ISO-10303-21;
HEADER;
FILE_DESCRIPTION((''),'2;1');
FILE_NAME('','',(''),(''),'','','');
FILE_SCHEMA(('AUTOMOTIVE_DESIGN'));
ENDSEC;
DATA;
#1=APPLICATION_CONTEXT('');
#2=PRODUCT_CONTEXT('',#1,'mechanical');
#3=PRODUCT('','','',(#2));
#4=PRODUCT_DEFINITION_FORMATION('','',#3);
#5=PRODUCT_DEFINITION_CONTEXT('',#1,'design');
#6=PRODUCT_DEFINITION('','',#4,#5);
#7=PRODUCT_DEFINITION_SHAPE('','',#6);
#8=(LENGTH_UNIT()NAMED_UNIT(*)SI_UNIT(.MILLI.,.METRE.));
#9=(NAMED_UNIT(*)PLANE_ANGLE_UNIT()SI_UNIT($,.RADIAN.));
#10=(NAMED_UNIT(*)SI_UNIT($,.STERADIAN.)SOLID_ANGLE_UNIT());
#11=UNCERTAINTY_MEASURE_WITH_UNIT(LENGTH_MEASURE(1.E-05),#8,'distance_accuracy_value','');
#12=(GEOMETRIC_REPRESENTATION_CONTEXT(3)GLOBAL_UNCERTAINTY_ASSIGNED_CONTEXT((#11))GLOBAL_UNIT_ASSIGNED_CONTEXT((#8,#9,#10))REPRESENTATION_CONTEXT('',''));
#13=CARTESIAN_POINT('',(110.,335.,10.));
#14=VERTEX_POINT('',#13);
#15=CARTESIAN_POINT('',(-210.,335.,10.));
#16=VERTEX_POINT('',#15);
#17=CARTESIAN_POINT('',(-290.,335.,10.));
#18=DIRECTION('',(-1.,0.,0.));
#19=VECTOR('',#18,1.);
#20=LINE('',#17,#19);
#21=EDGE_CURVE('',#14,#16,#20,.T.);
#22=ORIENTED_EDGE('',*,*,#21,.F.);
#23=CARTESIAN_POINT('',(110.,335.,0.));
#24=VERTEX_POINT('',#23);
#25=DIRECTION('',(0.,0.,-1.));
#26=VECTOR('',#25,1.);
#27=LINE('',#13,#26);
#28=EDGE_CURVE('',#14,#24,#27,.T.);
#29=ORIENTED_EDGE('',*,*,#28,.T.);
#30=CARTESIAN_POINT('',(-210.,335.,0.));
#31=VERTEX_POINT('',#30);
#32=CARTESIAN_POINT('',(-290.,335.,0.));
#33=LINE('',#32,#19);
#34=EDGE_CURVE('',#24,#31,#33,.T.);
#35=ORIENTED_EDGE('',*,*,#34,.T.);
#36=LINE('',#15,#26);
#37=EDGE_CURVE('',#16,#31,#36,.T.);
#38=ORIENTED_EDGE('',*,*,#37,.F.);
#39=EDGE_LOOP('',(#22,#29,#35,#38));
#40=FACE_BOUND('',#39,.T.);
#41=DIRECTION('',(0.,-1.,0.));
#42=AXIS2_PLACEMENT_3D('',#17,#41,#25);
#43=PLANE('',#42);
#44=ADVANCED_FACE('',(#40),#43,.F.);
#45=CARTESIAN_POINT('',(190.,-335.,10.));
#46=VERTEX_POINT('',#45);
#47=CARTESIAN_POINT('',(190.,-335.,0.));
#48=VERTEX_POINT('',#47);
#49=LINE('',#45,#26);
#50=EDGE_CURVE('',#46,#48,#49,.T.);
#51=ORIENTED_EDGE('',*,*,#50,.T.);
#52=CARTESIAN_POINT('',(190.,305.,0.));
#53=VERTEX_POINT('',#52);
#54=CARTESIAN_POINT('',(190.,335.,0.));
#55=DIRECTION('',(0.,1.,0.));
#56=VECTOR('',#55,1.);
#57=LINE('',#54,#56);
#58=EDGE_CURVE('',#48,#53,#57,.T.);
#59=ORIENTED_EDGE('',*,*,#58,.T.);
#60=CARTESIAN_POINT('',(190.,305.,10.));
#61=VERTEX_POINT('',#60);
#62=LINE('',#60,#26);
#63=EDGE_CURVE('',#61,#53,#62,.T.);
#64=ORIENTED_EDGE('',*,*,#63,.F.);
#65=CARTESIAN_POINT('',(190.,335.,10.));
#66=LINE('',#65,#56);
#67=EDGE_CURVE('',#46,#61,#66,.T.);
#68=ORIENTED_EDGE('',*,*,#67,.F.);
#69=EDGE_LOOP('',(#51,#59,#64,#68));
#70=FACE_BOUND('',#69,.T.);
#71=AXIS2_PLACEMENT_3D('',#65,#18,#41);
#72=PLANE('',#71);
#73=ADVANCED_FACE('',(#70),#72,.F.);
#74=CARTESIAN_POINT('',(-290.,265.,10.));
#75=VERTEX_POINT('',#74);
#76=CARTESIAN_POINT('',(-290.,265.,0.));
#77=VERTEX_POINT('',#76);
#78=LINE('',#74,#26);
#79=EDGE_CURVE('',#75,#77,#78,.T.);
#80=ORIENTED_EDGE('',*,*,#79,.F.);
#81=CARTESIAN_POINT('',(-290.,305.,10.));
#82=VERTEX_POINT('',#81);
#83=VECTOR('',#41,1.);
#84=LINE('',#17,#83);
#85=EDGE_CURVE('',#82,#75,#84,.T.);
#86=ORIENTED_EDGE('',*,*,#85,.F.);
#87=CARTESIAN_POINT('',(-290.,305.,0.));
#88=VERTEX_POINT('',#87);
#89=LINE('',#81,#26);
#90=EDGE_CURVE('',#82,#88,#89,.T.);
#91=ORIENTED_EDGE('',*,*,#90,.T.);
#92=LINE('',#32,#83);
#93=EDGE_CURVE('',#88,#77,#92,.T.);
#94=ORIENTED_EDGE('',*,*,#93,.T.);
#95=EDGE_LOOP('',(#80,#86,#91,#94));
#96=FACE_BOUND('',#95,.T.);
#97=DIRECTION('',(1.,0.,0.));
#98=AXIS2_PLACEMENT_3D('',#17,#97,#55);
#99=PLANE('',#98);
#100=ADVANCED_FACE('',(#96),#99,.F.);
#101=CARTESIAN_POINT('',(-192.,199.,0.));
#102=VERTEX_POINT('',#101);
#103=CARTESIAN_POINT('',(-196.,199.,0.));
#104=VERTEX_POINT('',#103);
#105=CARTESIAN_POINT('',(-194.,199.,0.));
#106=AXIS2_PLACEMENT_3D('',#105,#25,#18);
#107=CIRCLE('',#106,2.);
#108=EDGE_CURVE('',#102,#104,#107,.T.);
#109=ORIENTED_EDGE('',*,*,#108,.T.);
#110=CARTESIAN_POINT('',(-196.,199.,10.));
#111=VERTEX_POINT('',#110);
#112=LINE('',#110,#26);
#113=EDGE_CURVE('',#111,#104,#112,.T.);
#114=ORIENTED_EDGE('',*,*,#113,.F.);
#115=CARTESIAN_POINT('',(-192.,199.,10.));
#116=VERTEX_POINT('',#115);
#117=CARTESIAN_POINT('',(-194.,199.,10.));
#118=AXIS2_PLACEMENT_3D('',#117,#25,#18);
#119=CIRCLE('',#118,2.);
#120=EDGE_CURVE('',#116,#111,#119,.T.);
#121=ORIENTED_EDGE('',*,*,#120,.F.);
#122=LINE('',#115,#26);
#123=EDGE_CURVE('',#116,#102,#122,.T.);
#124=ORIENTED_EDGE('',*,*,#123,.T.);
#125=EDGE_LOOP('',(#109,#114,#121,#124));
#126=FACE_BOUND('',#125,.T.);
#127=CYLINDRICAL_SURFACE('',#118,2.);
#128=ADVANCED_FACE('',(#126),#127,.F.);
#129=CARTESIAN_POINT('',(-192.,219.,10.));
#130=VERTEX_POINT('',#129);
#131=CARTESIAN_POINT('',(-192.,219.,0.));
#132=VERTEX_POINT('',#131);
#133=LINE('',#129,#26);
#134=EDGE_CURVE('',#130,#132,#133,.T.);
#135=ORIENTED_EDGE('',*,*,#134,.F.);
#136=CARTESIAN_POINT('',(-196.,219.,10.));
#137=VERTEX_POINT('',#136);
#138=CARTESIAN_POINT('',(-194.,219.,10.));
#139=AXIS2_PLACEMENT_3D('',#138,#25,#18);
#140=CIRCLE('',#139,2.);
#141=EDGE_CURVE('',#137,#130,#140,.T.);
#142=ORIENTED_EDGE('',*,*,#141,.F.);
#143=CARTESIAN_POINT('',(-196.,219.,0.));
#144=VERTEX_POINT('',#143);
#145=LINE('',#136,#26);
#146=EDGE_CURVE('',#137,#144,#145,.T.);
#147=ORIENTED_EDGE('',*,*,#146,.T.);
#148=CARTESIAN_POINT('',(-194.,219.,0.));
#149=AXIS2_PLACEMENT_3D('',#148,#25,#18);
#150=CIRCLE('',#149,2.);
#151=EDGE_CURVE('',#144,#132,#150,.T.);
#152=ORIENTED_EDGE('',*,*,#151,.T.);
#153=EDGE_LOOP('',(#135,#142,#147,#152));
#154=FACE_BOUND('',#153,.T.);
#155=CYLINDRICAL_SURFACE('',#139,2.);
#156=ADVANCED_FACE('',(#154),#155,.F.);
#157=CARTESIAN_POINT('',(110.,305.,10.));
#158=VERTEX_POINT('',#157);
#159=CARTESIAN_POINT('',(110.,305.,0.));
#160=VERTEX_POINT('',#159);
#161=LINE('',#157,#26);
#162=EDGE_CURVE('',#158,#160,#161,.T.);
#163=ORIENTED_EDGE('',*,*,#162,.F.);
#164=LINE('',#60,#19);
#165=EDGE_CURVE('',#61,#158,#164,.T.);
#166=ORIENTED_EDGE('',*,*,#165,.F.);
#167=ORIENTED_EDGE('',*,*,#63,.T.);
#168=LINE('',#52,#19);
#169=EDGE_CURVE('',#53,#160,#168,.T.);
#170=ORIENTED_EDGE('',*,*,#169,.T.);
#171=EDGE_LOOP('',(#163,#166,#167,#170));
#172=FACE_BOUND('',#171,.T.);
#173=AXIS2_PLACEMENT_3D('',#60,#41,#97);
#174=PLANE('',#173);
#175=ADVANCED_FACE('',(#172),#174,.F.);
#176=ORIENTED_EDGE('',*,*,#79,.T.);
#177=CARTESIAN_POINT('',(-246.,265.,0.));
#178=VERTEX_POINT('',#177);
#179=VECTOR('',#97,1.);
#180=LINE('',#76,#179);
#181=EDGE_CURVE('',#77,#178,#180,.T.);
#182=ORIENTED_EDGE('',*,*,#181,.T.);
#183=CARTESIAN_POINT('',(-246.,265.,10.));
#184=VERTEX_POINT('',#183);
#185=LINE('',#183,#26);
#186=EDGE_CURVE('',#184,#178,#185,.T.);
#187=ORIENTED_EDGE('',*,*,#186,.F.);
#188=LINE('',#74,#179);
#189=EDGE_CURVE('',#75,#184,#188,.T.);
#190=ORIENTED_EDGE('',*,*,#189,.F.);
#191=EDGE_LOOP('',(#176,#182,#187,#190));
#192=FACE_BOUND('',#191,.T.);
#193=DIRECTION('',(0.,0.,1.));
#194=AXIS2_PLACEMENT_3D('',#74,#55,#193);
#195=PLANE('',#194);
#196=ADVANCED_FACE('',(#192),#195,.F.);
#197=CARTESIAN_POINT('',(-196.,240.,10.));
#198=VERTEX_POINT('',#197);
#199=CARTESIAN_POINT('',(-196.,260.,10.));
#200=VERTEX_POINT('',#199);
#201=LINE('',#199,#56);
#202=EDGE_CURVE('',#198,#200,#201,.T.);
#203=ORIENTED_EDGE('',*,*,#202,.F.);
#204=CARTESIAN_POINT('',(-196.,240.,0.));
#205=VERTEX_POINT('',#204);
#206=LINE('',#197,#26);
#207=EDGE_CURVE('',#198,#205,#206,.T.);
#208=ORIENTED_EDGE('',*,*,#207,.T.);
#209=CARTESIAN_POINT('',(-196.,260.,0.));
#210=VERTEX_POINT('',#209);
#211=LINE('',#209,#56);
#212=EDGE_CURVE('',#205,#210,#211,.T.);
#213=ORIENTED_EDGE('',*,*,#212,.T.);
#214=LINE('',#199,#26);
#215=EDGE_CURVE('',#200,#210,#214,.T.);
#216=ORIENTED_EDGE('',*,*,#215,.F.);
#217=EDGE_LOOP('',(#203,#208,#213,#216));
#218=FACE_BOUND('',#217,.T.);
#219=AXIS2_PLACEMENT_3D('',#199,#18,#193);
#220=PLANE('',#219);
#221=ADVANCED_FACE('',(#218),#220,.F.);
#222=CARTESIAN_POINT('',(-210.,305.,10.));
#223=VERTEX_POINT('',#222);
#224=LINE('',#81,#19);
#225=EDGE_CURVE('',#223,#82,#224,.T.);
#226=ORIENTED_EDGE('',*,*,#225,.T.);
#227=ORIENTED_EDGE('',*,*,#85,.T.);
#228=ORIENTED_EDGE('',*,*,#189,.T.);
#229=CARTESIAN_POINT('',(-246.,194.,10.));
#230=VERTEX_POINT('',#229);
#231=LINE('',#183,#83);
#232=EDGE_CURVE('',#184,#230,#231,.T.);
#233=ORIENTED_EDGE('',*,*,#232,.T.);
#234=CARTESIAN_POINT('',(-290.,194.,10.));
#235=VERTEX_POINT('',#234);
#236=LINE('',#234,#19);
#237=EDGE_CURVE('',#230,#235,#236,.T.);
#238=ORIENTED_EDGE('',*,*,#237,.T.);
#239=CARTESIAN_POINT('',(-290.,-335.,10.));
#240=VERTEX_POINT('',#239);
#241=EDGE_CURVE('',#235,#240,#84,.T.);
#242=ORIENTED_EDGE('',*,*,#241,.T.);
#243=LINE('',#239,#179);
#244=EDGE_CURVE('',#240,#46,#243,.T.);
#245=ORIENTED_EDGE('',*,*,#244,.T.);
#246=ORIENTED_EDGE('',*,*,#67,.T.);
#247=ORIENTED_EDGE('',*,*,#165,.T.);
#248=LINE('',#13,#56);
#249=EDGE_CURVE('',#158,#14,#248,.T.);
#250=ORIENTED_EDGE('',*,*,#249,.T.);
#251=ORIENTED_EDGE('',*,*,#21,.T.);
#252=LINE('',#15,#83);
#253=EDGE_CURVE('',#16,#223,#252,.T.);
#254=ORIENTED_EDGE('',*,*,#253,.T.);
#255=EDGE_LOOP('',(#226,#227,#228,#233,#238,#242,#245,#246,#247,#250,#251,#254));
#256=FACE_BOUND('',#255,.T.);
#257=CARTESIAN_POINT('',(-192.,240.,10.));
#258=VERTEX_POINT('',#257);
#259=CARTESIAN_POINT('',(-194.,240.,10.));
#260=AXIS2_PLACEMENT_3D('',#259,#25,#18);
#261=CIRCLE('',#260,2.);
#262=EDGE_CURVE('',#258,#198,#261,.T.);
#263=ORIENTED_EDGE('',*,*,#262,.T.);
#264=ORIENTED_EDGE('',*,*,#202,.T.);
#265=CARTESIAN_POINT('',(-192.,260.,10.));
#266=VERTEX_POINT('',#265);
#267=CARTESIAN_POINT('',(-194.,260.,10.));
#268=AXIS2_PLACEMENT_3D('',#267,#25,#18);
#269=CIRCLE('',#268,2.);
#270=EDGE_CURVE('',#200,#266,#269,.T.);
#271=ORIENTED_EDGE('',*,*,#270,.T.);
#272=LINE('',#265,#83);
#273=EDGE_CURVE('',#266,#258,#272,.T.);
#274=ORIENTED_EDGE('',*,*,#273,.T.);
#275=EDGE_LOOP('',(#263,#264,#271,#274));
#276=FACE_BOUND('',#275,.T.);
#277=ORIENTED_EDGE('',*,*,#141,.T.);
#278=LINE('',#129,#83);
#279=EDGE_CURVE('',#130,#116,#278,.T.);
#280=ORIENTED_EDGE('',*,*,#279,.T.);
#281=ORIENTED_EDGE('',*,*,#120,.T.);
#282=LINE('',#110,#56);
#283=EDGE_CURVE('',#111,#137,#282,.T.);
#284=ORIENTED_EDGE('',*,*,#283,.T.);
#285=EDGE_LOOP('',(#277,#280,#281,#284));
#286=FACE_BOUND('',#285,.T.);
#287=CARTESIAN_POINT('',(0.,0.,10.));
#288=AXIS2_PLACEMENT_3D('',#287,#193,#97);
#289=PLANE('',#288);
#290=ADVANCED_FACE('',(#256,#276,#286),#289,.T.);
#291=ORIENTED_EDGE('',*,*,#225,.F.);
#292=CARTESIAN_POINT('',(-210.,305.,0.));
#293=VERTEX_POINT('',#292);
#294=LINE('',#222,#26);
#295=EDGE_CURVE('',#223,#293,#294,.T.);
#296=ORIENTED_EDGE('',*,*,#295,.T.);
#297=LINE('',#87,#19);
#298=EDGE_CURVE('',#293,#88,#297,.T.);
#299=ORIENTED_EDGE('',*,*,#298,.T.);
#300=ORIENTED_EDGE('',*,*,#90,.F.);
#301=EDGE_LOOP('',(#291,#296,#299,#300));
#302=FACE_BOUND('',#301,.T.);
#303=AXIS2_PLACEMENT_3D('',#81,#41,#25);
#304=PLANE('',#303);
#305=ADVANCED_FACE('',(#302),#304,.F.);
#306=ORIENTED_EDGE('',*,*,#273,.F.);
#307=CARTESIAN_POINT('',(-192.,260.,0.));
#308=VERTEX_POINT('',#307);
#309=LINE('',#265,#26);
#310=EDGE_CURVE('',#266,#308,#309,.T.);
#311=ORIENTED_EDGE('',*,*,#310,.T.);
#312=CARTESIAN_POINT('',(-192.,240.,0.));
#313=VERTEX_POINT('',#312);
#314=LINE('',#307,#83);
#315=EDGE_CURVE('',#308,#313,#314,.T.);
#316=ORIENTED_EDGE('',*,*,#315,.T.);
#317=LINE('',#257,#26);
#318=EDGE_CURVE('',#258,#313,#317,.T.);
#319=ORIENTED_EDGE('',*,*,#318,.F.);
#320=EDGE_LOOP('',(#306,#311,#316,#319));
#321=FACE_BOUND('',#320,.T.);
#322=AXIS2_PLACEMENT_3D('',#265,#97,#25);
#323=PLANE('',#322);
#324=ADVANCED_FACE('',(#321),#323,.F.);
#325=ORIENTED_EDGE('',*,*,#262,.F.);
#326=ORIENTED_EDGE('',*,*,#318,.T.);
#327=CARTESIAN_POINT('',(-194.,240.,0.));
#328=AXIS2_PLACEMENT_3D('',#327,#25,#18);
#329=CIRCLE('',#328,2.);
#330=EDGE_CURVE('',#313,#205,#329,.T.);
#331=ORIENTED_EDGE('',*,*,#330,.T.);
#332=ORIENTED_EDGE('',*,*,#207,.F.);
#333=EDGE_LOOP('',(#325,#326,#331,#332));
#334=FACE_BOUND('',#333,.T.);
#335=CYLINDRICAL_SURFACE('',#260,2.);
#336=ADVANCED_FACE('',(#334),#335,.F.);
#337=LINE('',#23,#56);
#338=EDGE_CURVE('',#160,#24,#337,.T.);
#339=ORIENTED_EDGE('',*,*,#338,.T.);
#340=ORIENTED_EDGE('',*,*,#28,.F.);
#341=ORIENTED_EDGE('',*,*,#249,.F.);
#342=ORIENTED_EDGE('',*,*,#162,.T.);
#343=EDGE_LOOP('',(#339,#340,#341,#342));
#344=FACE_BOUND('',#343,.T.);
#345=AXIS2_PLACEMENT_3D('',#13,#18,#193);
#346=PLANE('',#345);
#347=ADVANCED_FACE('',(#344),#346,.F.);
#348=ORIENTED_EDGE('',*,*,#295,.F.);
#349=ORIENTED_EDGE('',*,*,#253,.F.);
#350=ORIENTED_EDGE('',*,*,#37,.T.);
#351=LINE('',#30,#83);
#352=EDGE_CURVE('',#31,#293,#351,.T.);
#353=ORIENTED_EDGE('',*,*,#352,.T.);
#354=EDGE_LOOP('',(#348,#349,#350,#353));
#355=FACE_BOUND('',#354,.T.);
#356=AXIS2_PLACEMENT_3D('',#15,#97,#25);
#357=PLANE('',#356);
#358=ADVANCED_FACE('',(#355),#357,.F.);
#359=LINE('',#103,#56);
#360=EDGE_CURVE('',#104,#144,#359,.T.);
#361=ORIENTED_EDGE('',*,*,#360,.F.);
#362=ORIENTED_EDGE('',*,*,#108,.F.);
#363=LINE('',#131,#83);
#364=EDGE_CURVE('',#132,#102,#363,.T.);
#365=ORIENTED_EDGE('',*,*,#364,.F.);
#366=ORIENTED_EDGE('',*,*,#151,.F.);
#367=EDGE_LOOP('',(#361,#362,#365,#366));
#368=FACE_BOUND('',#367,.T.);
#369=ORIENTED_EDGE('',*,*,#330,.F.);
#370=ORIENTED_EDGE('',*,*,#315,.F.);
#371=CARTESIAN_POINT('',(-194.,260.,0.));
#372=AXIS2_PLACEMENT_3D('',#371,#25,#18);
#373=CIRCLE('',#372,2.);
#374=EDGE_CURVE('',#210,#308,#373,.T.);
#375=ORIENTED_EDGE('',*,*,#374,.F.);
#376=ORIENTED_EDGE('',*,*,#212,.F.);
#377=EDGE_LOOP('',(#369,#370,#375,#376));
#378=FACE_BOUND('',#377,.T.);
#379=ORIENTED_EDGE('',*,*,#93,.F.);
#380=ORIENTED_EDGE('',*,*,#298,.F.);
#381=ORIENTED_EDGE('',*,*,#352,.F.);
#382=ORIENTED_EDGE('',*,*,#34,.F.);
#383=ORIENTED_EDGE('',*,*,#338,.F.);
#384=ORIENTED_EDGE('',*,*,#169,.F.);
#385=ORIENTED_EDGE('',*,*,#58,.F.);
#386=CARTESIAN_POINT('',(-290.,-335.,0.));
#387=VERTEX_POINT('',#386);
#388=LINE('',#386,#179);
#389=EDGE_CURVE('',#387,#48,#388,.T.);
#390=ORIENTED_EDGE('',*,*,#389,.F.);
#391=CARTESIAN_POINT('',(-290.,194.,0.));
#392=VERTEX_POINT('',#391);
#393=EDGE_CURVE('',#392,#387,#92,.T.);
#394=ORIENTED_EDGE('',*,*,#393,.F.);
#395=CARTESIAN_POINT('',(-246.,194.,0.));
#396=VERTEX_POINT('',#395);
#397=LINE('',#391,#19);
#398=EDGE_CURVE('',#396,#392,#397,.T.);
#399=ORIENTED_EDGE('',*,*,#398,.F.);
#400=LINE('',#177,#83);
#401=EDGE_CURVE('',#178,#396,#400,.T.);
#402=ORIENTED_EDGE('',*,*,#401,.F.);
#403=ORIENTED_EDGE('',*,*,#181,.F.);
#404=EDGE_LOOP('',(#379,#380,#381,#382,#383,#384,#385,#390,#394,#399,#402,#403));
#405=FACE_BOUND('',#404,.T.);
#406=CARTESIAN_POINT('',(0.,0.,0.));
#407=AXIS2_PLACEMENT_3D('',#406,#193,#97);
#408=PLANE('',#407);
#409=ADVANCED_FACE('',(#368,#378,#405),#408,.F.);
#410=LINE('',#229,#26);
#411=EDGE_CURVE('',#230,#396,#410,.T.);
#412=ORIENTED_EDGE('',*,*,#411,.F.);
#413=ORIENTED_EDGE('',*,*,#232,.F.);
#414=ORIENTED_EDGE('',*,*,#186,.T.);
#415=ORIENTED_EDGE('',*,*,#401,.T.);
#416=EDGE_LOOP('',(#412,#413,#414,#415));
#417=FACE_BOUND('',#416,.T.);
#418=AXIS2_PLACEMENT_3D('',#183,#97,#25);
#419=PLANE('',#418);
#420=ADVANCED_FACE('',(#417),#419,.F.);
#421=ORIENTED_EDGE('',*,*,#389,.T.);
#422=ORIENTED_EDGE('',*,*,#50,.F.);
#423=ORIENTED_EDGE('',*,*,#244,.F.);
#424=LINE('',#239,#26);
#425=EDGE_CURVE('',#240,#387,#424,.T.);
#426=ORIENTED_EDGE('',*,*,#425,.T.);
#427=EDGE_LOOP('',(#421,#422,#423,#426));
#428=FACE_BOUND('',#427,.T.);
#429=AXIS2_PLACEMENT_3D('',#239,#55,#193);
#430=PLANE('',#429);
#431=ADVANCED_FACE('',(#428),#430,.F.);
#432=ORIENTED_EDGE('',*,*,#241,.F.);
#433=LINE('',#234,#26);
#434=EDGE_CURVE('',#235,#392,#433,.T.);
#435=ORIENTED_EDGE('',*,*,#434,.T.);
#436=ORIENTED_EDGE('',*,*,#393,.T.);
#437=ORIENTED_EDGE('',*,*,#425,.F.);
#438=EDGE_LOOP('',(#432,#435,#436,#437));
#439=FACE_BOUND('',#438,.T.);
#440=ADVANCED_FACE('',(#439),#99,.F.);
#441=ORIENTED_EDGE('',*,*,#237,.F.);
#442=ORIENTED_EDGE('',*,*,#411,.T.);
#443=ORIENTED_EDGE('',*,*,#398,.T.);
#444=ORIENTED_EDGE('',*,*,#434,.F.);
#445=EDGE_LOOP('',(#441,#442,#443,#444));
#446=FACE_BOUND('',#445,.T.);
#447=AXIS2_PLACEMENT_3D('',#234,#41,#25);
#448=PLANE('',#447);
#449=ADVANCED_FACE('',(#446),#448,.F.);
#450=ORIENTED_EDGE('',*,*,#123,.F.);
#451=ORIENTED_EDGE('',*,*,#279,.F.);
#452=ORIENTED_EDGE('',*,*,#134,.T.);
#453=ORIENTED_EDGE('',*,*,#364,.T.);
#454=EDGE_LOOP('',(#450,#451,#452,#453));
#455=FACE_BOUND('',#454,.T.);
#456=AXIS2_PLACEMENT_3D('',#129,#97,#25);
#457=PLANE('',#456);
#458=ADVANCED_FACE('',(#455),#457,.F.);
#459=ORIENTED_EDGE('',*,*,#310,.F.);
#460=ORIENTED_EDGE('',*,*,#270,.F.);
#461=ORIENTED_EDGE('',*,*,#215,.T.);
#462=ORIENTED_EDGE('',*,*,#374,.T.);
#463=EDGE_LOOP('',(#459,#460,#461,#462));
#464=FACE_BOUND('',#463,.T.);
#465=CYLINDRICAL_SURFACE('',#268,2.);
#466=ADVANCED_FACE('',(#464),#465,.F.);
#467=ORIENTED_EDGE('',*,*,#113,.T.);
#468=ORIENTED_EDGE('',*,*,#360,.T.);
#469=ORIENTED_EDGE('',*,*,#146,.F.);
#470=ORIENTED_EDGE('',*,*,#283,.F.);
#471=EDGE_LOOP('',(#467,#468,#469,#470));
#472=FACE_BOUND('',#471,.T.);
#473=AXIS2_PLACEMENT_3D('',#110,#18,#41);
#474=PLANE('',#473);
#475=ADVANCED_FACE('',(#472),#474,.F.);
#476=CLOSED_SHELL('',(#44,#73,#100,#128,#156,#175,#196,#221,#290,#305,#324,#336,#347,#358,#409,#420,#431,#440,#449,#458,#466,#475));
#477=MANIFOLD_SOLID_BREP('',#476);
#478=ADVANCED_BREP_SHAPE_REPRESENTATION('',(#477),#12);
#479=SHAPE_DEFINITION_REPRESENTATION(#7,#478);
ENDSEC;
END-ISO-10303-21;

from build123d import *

# Parameters (mm, degrees)
ESQUISSE1_W             = 480
ESQUISSE1_H             = 670
BOSS_EXTRU_1_DEPTH      = 10
ESQUISSE2_W             = 80
ESQUISSE2_H             = 30
ENL_V_MAT_EXTRU_1_DEPTH = 11
ESQUISSE3_W             = 44
ESQUISSE3_H             = 71
ENL_V_MAT_EXTRU_2_DEPTH = 11


with BuildPart() as part:
    # Esquisse1 → Boss.-Extru.1 (new body)
    with BuildSketch(Plane.XY):
        with Locations((-50, 0)):
            Rectangle(ESQUISSE1_W, ESQUISSE1_H)
    extrude(amount=BOSS_EXTRU_1_DEPTH)

    # Esquisse2 → Enlèv. mat.-Extru.1 (cut, through all)
    with BuildSketch(Plane(origin=(0, 0, 0), x_dir=(-1, 0, 0), z_dir=(0, 0, -1))):
        with Locations((-150, 320)):
            Rectangle(ESQUISSE2_W, ESQUISSE2_H)
        with Locations((250, 320)):
            Rectangle(ESQUISSE2_W, ESQUISSE2_H)
    extrude(amount=-ENL_V_MAT_EXTRU_1_DEPTH, mode=Mode.SUBTRACT)

    # Esquisse3 → Enlèv. mat.-Extru.2 (cut, through all)
    with BuildSketch(Plane(origin=(0, 0, 0), x_dir=(-1, 0, 0), z_dir=(0, 0, -1))):
        with BuildLine():
            Line((192, 260), (192, 240))
            ThreePointArc((192, 240), (194, 238), (196, 240))
            Line((196, 240), (196, 260))
            ThreePointArc((196, 260), (194, 262), (192, 260))
        make_face()
        with BuildLine():
            Line((192, 219), (192, 199))
            ThreePointArc((192, 199), (194, 197), (196, 199))
            Line((196, 199), (196, 219))
            ThreePointArc((196, 219), (194, 221), (192, 219))
        make_face()
        with Locations((268, 229.5)):
            Rectangle(ESQUISSE3_W, ESQUISSE3_H)
    extrude(amount=-ENL_V_MAT_EXTRU_2_DEPTH, mode=Mode.SUBTRACT)


solid = part.part
